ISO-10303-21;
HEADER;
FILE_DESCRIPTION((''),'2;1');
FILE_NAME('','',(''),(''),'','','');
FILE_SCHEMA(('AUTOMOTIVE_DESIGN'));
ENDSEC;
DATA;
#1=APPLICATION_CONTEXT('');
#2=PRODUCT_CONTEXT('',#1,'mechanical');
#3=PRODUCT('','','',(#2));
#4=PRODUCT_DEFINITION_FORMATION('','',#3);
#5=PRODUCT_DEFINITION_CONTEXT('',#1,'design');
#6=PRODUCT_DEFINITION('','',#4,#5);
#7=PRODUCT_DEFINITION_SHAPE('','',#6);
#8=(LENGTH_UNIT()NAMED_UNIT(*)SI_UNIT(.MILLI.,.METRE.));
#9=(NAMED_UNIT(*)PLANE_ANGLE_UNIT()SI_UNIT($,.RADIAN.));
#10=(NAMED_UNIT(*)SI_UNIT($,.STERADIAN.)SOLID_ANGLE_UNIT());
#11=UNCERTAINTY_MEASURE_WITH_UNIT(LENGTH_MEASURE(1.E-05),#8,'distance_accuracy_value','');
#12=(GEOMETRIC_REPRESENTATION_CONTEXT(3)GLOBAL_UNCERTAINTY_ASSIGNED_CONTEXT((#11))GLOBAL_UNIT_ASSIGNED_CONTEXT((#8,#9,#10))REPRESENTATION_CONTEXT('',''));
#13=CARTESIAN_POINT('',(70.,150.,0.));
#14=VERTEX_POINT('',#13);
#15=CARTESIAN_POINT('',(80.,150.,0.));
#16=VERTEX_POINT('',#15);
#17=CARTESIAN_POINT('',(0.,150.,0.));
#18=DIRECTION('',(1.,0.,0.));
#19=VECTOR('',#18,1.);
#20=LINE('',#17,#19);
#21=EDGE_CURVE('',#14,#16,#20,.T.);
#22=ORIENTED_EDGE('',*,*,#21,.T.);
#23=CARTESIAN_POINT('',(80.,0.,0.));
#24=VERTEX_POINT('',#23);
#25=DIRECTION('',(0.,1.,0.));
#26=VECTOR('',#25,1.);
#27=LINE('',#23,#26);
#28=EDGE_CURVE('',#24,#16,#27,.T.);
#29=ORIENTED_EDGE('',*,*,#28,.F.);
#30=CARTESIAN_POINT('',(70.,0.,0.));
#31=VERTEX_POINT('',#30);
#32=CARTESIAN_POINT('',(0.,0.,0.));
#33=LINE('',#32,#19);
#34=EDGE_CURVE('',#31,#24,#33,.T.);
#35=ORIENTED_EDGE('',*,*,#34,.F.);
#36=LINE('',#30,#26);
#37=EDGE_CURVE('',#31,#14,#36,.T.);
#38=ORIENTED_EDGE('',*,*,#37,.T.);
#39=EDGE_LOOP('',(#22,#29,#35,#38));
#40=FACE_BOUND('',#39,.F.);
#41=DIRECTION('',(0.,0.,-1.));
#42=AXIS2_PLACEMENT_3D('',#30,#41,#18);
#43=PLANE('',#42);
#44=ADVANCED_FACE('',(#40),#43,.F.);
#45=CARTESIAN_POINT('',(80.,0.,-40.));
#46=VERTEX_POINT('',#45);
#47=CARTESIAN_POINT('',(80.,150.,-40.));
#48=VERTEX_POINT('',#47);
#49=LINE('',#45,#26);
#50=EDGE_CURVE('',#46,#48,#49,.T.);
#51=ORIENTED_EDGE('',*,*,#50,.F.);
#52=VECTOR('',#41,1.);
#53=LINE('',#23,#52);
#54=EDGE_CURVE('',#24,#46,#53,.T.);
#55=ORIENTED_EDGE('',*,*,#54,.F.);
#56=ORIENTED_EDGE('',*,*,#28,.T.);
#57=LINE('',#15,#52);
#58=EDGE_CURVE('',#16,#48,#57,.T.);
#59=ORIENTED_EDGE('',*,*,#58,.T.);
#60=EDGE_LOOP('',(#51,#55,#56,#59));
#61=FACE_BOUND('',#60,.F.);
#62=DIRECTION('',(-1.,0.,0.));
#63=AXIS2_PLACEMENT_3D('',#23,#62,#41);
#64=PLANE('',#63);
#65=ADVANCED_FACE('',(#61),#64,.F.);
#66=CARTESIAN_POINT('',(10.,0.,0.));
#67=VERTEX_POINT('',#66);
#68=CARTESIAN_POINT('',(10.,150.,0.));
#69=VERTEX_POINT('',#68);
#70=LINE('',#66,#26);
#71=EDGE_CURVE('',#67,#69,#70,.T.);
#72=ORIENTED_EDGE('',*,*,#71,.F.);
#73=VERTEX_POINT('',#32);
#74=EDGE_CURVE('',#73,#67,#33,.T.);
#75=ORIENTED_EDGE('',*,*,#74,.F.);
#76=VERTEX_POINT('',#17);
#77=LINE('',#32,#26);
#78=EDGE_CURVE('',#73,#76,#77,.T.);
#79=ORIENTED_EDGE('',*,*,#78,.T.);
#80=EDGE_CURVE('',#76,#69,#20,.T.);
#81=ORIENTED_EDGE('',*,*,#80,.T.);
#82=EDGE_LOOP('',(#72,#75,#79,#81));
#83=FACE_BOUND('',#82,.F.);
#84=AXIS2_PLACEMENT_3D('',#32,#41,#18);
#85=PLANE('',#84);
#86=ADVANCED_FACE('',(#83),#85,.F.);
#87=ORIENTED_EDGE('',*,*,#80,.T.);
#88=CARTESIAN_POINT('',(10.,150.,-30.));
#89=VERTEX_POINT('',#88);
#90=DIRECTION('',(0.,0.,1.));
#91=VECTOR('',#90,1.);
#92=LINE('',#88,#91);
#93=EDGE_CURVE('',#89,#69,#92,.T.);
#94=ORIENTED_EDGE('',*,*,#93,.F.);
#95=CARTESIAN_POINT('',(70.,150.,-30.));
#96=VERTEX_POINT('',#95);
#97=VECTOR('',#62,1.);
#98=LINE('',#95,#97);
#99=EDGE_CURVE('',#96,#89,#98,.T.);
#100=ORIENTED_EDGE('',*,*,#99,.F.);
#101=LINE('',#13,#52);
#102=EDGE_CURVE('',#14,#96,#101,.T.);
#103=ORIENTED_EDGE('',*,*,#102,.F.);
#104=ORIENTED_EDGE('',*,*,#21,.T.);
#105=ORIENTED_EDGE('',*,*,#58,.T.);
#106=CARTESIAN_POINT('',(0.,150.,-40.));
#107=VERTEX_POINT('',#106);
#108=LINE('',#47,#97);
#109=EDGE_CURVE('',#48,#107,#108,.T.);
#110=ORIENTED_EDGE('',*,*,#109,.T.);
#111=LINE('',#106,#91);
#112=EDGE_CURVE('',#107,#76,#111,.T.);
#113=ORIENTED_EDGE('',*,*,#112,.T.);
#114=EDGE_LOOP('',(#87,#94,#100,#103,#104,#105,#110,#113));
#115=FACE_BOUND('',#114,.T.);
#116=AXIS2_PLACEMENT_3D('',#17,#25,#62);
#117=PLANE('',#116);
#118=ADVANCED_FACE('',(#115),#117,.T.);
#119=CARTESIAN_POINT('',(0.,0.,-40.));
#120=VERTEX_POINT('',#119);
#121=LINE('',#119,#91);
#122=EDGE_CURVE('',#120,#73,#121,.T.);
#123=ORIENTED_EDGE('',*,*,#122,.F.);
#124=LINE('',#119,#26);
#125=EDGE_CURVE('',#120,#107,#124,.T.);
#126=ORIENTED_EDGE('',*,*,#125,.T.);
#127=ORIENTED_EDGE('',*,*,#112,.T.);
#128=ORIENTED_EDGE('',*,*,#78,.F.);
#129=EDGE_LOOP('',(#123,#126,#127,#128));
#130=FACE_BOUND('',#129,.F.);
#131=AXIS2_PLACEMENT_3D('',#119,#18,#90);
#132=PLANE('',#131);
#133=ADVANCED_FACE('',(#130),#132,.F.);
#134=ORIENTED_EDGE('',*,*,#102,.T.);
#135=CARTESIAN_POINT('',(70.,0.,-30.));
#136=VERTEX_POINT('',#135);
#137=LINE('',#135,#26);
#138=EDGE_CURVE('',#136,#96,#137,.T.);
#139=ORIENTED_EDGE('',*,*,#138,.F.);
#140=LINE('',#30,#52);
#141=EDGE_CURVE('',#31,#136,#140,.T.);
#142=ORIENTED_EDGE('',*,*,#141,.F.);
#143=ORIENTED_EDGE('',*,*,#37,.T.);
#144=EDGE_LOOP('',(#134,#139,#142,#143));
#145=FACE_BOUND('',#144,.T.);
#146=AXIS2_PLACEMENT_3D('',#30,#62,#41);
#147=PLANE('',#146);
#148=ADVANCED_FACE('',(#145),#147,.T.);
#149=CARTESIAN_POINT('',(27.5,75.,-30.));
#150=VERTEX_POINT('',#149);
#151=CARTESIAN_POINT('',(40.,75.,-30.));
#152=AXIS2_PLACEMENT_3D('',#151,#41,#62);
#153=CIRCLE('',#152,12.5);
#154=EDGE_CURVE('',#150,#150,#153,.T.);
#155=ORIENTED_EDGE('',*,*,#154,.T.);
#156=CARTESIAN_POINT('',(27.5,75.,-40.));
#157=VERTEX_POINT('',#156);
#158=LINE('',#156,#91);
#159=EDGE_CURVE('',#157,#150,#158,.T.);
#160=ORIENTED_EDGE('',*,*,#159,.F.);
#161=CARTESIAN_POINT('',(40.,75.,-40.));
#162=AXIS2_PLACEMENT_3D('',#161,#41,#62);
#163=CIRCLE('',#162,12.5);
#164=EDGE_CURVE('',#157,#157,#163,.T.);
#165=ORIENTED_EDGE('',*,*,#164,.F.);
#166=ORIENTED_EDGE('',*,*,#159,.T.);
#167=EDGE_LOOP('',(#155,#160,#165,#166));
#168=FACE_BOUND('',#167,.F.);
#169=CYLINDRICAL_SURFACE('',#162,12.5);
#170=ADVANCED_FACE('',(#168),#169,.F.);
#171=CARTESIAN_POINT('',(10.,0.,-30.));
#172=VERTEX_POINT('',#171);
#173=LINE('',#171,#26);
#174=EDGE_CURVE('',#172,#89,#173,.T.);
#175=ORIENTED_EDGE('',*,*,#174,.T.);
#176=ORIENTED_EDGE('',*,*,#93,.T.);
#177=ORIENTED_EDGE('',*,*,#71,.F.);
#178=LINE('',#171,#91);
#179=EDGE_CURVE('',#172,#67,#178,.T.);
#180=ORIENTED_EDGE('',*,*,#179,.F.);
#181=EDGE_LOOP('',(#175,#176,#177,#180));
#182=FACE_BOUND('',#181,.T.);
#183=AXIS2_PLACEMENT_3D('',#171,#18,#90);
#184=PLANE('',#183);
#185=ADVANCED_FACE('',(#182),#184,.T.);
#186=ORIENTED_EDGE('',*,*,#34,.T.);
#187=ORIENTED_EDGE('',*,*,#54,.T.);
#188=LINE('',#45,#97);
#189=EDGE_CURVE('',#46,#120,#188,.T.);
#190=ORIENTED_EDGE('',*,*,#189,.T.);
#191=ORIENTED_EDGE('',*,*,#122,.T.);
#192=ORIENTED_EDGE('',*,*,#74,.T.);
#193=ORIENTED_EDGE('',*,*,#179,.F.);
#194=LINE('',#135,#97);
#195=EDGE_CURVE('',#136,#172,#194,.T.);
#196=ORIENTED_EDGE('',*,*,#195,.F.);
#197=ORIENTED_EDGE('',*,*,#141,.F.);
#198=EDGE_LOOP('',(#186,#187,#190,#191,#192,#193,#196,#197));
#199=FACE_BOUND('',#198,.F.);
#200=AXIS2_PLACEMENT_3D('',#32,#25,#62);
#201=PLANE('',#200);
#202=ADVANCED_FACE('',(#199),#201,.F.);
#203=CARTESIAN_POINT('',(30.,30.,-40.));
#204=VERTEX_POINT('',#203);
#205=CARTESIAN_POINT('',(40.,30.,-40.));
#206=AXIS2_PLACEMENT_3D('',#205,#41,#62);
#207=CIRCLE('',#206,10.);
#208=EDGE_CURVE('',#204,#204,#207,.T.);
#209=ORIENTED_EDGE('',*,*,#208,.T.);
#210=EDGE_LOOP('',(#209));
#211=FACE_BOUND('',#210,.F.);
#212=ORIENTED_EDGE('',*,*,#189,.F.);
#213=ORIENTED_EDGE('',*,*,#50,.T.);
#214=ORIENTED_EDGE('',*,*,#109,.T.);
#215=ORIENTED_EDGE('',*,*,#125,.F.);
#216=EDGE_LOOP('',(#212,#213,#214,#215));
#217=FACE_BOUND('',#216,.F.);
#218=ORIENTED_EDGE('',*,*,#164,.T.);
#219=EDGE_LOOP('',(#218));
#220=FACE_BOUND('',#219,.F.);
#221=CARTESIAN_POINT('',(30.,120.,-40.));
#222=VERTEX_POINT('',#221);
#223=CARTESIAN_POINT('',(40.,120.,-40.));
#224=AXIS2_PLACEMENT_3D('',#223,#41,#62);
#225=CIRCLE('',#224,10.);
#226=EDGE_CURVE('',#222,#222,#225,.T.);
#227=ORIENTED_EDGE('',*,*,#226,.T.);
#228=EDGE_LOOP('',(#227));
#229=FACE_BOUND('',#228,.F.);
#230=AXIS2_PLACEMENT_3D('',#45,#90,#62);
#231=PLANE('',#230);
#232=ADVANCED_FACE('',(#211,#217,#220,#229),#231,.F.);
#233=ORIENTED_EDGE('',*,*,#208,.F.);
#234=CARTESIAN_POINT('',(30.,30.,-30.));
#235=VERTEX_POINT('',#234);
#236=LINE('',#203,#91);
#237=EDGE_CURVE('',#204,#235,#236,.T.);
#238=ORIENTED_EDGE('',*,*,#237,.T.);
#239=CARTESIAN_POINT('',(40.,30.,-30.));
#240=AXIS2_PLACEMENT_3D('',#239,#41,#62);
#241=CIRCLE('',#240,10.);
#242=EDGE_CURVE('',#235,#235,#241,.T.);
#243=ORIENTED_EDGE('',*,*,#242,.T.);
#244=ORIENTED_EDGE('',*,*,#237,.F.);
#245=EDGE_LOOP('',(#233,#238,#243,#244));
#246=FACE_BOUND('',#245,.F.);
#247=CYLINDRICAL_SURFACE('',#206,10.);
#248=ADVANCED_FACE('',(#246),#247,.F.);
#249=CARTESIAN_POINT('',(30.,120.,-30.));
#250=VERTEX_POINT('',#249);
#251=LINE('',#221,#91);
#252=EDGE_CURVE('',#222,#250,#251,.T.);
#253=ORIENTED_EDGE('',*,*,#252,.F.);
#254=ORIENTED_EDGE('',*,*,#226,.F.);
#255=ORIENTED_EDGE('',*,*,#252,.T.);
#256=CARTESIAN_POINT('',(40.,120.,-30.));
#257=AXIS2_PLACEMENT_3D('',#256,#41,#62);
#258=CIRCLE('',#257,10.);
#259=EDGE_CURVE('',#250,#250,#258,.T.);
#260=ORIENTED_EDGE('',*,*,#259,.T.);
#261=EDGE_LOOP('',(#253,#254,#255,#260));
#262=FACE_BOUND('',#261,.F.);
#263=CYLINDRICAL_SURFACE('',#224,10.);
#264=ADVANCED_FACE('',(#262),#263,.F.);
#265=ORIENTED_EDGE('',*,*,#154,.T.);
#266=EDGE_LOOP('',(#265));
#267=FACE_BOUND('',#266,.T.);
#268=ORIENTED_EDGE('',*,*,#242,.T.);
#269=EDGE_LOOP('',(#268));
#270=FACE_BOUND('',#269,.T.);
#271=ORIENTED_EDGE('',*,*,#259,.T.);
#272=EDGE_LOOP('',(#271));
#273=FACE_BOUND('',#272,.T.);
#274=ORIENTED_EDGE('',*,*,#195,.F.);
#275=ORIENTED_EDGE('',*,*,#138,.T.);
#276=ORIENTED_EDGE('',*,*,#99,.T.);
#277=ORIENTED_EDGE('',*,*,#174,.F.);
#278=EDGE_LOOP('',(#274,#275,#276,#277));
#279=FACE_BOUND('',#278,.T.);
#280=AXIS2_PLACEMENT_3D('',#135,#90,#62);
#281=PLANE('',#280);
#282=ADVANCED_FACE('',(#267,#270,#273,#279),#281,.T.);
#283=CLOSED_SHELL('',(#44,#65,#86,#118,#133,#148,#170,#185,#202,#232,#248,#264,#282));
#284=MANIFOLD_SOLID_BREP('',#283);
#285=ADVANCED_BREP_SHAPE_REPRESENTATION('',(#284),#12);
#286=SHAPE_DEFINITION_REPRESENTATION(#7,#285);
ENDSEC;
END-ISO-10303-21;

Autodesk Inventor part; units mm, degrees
ref_plane "YZ Plane" through (0, 0, 0) normal (1, 0, 0) x (0, 1, 0)
ref_plane "XZ Plane" through (0, 0, 0) normal (0, 1, 0) x (-1, 0, 0)
ref_plane "XY Plane" through (0, 0, 0) normal (0, 0, 1) x (1, 0, 0)
sketch "Boceto1" plane through (0, 0, 0) normal (0, 1, 0) x (-1, 0, 0)
  line L0 (0, 0) -> (-80, 0)
  line L1 (-80, 0) -> (-80, -40)
  line L2 (-80, -40) -> (0, -40)
  line L3 (0, -40) -> (0, 0)
  line L4 (-10, 0) -> (-70, 0)
  line L5 (-70, 0) -> (-70, -30)
  line L6 (-70, -30) -> (-10, -30)
  line L7 (-10, -30) -> (-10, 0)
  dimension "d0" = 80
  dimension "d1" = 40
  dimension "d2" = 60
  dimension "d3" = 30
extrude "Extrusión1" add sketch "Boceto1" along normal blind 150 contours L3 L2 L1 L0 L5 L6 L7
sketch "Boceto2" plane through (80, 0, -40) normal (0, 0, -1) x (-1, 0, 0)
  circle A0 centre (40, 120) radius 10
  circle A1 centre (40, 30) radius 10
  line L0 (0, 0) -> (80, 0) projected
  line L1 (80, 0) -> (80, 150) projected
  circle A2 centre (40, 75) radius 12.5
  dimension "d6" = 20
  dimension "d7" = 20
  dimension "d8" = 120
  dimension "d9" = 40
  dimension "d10" = 40
  dimension "d11" = 25
  dimension "d12" = 40
  dimension "d13" = 75
  dimension "d14" = 30
extrude "Extrusión2" cut sketch "Boceto2" against normal blind 150
properties part number "anclaje"
